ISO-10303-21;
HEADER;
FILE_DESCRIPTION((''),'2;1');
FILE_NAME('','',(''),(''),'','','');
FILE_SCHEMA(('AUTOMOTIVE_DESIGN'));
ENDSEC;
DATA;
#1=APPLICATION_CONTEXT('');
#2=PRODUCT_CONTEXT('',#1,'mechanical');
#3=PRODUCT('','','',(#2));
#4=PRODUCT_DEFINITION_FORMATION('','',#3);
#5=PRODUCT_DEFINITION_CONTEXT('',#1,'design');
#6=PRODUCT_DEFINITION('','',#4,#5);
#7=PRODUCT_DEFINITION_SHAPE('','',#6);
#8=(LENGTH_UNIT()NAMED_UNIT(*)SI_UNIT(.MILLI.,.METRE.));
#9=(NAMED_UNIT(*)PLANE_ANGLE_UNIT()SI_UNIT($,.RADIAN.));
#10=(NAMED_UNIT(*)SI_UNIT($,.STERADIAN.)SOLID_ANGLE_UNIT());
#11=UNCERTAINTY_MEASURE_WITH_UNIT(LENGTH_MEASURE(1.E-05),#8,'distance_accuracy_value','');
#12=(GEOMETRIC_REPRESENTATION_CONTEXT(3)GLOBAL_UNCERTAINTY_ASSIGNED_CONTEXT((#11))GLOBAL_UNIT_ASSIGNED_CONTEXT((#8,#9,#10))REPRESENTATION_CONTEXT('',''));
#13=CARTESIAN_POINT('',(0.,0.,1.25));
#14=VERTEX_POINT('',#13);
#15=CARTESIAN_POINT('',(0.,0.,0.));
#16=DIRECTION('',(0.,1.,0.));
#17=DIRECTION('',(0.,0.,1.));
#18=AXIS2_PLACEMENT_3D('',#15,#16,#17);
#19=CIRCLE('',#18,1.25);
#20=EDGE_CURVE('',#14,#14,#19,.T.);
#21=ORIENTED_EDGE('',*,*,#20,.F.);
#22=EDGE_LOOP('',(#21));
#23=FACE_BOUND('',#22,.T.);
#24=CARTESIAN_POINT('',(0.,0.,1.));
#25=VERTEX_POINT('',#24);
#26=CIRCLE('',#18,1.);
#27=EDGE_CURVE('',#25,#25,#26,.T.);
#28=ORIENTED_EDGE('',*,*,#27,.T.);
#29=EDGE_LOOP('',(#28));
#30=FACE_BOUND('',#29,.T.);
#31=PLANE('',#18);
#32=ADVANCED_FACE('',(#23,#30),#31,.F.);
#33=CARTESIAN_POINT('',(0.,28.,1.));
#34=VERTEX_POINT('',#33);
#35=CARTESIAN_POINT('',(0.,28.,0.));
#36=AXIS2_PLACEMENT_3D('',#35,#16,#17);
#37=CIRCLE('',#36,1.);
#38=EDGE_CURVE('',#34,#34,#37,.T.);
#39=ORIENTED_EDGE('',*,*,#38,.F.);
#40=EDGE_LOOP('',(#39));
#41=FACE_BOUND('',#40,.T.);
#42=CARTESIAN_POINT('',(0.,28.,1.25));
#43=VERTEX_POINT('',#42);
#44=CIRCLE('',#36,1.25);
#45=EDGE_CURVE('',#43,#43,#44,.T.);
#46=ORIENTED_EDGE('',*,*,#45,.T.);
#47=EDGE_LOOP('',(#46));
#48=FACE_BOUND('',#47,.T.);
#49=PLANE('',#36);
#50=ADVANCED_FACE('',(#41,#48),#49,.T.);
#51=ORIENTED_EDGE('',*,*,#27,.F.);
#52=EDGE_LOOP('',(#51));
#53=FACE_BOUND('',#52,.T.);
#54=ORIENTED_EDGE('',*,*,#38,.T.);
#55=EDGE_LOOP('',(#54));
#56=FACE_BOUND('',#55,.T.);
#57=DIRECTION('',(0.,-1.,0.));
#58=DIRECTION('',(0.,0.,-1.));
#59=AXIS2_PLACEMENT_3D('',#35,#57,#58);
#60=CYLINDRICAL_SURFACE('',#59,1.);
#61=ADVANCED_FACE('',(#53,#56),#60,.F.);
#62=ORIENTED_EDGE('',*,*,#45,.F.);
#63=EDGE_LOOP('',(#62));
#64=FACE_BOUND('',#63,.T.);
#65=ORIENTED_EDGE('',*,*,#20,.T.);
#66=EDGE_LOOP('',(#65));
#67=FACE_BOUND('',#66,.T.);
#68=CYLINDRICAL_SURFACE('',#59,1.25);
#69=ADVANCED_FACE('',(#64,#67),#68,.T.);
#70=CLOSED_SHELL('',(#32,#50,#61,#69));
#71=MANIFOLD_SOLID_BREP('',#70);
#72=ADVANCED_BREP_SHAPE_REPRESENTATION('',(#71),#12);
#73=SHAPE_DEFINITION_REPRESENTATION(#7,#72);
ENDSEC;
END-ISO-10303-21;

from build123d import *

# Parameters (mm, degrees)
SKETCH_1_R      = 1.25
SKETCH_1_R_2    = 1
EXTRUDE_1_DEPTH = 28


with BuildPart() as part:
    # Эскиз1 → Бобышка-Вытянуть1 (new body)
    with BuildSketch(Plane(origin=(0, 0, 0), x_dir=(1, 0, 0), z_dir=(0, 1, 0))):
        with Locations(Location((0, 0, 0), (0, 0, 270))):
            Circle(SKETCH_1_R)
        with Locations(Location((0, 0, 0), (0, 0, 270))):
            Circle(SKETCH_1_R_2, mode=Mode.SUBTRACT)
    extrude(amount=EXTRUDE_1_DEPTH)


solid = part.part
